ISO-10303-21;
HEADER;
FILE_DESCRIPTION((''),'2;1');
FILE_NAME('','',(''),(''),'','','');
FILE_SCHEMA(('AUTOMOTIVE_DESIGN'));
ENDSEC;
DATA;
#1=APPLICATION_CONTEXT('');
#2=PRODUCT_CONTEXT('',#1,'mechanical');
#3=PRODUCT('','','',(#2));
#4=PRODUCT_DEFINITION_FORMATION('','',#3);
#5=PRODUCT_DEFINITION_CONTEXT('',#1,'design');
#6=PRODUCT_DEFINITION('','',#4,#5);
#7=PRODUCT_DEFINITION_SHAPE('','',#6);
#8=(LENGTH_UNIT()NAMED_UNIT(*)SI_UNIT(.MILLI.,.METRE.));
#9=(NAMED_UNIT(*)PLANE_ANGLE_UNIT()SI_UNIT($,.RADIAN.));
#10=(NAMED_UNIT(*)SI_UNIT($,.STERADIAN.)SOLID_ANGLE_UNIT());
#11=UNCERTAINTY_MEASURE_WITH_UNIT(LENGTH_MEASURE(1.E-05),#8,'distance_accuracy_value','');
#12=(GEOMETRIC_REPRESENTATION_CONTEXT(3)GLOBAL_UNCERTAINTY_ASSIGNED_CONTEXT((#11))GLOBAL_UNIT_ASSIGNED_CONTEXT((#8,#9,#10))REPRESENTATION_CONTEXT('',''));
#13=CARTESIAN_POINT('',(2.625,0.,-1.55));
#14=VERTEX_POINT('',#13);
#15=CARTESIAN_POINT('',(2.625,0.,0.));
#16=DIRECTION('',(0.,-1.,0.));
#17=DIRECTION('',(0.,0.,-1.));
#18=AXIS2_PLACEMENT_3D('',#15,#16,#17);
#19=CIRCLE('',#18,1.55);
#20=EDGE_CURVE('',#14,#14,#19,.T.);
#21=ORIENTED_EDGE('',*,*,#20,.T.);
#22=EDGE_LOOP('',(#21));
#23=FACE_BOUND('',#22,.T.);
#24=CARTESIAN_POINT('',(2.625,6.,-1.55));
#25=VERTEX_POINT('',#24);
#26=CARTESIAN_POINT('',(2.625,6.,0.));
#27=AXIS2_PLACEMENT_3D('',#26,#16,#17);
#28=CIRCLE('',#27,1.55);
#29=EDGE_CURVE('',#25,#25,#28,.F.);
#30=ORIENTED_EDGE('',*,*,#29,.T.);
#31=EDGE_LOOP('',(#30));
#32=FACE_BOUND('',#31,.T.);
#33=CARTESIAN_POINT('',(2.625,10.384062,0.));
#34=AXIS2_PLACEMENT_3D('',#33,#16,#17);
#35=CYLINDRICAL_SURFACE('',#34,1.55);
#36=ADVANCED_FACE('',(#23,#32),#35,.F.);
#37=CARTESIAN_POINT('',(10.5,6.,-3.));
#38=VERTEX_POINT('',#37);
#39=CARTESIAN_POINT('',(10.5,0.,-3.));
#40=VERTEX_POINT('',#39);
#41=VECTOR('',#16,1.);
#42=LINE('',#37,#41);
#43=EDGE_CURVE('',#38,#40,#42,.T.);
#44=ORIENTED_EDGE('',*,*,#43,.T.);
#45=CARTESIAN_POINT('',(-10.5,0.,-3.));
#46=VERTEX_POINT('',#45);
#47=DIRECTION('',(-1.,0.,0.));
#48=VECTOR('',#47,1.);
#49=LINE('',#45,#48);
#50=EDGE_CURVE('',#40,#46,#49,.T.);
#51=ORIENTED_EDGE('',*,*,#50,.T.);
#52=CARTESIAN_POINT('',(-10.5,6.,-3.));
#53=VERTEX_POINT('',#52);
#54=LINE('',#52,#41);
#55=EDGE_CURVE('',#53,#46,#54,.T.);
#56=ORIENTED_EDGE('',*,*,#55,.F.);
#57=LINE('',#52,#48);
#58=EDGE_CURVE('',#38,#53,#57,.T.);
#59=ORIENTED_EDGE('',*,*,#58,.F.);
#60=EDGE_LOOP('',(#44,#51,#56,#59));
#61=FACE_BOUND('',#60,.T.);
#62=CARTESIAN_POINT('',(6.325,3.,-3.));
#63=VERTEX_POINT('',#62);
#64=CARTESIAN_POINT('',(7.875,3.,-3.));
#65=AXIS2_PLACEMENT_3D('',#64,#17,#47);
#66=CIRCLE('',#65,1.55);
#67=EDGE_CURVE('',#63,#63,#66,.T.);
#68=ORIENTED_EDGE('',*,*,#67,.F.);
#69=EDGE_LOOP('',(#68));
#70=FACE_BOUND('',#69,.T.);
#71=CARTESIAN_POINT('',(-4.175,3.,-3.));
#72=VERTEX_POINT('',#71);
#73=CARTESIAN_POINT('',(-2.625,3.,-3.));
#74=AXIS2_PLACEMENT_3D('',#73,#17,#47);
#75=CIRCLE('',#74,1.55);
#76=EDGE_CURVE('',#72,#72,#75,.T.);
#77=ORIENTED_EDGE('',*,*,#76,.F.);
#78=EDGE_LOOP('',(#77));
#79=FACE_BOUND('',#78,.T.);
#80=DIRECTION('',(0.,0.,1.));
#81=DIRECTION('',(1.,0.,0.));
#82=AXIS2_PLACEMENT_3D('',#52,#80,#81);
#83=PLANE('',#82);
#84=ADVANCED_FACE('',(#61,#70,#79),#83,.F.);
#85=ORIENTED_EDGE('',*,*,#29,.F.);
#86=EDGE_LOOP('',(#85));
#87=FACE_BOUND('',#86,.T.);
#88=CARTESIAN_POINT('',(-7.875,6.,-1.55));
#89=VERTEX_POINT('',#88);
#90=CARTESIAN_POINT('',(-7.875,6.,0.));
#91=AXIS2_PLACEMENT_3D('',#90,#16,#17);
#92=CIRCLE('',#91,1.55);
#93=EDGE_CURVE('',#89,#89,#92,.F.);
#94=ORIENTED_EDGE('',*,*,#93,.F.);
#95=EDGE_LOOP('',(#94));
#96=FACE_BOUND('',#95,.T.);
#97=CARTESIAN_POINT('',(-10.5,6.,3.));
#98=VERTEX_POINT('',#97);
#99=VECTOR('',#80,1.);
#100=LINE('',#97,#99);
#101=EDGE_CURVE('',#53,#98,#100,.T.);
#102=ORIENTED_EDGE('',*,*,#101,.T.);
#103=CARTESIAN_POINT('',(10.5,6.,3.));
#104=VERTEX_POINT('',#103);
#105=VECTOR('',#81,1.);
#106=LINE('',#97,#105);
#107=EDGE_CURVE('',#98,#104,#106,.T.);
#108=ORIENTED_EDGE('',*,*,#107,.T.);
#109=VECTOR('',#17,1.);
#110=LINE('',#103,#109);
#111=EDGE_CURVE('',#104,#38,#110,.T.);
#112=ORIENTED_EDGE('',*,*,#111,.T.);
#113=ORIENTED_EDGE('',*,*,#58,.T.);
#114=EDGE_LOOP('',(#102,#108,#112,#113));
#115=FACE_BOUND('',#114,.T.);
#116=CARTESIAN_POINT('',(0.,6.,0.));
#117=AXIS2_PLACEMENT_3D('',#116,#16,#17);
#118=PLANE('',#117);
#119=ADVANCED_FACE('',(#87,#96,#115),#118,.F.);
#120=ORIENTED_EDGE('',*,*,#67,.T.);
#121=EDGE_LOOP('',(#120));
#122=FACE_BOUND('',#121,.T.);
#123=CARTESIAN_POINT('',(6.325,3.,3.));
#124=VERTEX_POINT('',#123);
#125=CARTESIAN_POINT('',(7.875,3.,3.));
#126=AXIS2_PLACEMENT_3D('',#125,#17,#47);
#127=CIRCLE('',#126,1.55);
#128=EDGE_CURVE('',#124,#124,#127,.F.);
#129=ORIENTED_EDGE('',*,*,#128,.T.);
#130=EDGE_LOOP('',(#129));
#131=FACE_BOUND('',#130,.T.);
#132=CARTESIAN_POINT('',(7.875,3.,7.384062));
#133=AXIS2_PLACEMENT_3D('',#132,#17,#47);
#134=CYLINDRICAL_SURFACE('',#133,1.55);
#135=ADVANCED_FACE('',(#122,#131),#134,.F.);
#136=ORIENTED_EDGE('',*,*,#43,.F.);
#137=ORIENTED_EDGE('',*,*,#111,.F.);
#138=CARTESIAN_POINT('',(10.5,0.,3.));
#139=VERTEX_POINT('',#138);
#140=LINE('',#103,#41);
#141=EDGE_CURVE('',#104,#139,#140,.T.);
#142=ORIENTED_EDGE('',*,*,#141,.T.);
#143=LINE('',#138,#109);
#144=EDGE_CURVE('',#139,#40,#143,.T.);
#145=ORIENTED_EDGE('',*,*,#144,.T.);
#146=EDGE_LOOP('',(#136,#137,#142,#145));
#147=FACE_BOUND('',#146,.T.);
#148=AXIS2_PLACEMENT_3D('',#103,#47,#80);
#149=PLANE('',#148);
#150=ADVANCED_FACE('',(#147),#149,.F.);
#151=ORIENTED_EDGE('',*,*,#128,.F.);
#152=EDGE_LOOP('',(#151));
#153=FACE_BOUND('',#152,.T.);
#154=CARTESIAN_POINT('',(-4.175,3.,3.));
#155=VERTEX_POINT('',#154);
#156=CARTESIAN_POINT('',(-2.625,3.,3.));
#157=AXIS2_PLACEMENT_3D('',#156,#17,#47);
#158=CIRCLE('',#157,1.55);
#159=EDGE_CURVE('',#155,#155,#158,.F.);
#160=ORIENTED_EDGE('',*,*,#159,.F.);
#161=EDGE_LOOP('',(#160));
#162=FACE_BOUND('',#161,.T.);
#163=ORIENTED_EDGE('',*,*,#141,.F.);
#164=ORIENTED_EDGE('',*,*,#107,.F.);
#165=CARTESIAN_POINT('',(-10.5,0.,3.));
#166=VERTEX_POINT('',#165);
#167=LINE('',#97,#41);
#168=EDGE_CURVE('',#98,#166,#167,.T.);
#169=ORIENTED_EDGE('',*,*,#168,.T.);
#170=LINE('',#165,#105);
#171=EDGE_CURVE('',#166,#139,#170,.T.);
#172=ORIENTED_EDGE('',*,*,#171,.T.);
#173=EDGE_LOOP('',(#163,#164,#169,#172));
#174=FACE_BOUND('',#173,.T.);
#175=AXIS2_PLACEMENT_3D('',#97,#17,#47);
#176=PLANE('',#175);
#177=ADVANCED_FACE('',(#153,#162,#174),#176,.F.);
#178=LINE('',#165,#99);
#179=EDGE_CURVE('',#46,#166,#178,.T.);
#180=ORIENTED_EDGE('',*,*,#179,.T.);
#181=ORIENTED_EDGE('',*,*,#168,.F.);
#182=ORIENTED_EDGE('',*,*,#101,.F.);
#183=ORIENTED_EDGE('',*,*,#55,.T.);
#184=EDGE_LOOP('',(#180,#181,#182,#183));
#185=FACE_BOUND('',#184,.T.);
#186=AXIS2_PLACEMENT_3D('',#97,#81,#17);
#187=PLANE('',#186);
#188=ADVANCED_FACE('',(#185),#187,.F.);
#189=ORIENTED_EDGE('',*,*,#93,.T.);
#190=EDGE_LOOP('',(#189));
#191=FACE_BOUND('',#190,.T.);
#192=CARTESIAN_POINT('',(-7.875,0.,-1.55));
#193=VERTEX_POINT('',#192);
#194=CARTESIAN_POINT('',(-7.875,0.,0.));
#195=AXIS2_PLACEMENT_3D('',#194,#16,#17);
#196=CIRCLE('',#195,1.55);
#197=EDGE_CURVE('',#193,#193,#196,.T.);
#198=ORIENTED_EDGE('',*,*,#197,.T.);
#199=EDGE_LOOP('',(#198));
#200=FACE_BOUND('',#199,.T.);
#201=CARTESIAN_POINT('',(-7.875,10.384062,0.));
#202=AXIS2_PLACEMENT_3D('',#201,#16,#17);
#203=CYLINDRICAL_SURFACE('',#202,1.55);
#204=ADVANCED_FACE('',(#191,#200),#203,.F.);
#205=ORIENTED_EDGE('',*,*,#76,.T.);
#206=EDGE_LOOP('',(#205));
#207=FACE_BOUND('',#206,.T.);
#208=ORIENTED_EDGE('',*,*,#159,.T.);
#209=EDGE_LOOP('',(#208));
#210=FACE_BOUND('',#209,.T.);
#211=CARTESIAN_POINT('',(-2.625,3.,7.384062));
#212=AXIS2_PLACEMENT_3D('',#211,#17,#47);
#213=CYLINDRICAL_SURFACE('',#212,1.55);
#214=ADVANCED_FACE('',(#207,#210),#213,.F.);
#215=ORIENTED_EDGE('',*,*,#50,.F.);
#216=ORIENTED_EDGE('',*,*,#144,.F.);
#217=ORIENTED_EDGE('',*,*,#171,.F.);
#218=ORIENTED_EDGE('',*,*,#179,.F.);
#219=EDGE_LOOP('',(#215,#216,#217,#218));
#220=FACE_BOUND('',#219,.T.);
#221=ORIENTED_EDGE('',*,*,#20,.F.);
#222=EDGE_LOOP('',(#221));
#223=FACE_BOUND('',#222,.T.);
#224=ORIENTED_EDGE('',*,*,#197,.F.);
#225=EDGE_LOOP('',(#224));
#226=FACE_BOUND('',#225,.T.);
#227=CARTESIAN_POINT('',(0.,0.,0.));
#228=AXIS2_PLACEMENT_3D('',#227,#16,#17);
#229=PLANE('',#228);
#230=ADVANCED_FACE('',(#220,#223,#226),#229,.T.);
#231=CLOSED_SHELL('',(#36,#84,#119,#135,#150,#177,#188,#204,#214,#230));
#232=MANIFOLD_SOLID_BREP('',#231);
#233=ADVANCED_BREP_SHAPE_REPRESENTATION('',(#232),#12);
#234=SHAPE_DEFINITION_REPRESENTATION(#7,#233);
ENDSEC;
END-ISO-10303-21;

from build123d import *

# Parameters (mm, degrees)
SKETCH_1_W          = 21
SKETCH_1_H          = 6
EXTRUDE_1_DEPTH     = 6
SKETCH_2_R          = 1.55
CUT_EXTRUDE_1_DEPTH = 6
SKETCH_3_R          = 1.55
CUT_EXTRUDE_2_DEPTH = 6


with BuildPart() as part:
    # 草图1 → 凸台-拉伸1 (new body)
    with BuildSketch(Plane(origin=(0, 0, 0), x_dir=(1, 0, 0), z_dir=(0, 1, 0))):
        Rectangle(SKETCH_1_W, SKETCH_1_H)
    extrude(amount=EXTRUDE_1_DEPTH)

    # 草图2 → 切除-拉伸1 (cut)
    with BuildSketch(Plane(origin=(0, 0, -3), x_dir=(-1, 0, 0), z_dir=(0, 0, -1))):
        with Locations((-7.875, 3)):
            Circle(SKETCH_2_R)
        with Locations((2.625, 3)):
            Circle(SKETCH_2_R)
    extrude(amount=-CUT_EXTRUDE_1_DEPTH, mode=Mode.SUBTRACT)

    # 草图3 → 切除-拉伸2 (cut)
    with BuildSketch(Plane.XZ):
        with Locations(Location((-7.875, 0, 0), (0, 0, 270))):
            Circle(SKETCH_3_R)
        with Locations(Location((2.625, 0, 0), (0, 0, 270))):
            Circle(SKETCH_3_R)
    extrude(amount=-CUT_EXTRUDE_2_DEPTH, mode=Mode.SUBTRACT)


solid = part.part
